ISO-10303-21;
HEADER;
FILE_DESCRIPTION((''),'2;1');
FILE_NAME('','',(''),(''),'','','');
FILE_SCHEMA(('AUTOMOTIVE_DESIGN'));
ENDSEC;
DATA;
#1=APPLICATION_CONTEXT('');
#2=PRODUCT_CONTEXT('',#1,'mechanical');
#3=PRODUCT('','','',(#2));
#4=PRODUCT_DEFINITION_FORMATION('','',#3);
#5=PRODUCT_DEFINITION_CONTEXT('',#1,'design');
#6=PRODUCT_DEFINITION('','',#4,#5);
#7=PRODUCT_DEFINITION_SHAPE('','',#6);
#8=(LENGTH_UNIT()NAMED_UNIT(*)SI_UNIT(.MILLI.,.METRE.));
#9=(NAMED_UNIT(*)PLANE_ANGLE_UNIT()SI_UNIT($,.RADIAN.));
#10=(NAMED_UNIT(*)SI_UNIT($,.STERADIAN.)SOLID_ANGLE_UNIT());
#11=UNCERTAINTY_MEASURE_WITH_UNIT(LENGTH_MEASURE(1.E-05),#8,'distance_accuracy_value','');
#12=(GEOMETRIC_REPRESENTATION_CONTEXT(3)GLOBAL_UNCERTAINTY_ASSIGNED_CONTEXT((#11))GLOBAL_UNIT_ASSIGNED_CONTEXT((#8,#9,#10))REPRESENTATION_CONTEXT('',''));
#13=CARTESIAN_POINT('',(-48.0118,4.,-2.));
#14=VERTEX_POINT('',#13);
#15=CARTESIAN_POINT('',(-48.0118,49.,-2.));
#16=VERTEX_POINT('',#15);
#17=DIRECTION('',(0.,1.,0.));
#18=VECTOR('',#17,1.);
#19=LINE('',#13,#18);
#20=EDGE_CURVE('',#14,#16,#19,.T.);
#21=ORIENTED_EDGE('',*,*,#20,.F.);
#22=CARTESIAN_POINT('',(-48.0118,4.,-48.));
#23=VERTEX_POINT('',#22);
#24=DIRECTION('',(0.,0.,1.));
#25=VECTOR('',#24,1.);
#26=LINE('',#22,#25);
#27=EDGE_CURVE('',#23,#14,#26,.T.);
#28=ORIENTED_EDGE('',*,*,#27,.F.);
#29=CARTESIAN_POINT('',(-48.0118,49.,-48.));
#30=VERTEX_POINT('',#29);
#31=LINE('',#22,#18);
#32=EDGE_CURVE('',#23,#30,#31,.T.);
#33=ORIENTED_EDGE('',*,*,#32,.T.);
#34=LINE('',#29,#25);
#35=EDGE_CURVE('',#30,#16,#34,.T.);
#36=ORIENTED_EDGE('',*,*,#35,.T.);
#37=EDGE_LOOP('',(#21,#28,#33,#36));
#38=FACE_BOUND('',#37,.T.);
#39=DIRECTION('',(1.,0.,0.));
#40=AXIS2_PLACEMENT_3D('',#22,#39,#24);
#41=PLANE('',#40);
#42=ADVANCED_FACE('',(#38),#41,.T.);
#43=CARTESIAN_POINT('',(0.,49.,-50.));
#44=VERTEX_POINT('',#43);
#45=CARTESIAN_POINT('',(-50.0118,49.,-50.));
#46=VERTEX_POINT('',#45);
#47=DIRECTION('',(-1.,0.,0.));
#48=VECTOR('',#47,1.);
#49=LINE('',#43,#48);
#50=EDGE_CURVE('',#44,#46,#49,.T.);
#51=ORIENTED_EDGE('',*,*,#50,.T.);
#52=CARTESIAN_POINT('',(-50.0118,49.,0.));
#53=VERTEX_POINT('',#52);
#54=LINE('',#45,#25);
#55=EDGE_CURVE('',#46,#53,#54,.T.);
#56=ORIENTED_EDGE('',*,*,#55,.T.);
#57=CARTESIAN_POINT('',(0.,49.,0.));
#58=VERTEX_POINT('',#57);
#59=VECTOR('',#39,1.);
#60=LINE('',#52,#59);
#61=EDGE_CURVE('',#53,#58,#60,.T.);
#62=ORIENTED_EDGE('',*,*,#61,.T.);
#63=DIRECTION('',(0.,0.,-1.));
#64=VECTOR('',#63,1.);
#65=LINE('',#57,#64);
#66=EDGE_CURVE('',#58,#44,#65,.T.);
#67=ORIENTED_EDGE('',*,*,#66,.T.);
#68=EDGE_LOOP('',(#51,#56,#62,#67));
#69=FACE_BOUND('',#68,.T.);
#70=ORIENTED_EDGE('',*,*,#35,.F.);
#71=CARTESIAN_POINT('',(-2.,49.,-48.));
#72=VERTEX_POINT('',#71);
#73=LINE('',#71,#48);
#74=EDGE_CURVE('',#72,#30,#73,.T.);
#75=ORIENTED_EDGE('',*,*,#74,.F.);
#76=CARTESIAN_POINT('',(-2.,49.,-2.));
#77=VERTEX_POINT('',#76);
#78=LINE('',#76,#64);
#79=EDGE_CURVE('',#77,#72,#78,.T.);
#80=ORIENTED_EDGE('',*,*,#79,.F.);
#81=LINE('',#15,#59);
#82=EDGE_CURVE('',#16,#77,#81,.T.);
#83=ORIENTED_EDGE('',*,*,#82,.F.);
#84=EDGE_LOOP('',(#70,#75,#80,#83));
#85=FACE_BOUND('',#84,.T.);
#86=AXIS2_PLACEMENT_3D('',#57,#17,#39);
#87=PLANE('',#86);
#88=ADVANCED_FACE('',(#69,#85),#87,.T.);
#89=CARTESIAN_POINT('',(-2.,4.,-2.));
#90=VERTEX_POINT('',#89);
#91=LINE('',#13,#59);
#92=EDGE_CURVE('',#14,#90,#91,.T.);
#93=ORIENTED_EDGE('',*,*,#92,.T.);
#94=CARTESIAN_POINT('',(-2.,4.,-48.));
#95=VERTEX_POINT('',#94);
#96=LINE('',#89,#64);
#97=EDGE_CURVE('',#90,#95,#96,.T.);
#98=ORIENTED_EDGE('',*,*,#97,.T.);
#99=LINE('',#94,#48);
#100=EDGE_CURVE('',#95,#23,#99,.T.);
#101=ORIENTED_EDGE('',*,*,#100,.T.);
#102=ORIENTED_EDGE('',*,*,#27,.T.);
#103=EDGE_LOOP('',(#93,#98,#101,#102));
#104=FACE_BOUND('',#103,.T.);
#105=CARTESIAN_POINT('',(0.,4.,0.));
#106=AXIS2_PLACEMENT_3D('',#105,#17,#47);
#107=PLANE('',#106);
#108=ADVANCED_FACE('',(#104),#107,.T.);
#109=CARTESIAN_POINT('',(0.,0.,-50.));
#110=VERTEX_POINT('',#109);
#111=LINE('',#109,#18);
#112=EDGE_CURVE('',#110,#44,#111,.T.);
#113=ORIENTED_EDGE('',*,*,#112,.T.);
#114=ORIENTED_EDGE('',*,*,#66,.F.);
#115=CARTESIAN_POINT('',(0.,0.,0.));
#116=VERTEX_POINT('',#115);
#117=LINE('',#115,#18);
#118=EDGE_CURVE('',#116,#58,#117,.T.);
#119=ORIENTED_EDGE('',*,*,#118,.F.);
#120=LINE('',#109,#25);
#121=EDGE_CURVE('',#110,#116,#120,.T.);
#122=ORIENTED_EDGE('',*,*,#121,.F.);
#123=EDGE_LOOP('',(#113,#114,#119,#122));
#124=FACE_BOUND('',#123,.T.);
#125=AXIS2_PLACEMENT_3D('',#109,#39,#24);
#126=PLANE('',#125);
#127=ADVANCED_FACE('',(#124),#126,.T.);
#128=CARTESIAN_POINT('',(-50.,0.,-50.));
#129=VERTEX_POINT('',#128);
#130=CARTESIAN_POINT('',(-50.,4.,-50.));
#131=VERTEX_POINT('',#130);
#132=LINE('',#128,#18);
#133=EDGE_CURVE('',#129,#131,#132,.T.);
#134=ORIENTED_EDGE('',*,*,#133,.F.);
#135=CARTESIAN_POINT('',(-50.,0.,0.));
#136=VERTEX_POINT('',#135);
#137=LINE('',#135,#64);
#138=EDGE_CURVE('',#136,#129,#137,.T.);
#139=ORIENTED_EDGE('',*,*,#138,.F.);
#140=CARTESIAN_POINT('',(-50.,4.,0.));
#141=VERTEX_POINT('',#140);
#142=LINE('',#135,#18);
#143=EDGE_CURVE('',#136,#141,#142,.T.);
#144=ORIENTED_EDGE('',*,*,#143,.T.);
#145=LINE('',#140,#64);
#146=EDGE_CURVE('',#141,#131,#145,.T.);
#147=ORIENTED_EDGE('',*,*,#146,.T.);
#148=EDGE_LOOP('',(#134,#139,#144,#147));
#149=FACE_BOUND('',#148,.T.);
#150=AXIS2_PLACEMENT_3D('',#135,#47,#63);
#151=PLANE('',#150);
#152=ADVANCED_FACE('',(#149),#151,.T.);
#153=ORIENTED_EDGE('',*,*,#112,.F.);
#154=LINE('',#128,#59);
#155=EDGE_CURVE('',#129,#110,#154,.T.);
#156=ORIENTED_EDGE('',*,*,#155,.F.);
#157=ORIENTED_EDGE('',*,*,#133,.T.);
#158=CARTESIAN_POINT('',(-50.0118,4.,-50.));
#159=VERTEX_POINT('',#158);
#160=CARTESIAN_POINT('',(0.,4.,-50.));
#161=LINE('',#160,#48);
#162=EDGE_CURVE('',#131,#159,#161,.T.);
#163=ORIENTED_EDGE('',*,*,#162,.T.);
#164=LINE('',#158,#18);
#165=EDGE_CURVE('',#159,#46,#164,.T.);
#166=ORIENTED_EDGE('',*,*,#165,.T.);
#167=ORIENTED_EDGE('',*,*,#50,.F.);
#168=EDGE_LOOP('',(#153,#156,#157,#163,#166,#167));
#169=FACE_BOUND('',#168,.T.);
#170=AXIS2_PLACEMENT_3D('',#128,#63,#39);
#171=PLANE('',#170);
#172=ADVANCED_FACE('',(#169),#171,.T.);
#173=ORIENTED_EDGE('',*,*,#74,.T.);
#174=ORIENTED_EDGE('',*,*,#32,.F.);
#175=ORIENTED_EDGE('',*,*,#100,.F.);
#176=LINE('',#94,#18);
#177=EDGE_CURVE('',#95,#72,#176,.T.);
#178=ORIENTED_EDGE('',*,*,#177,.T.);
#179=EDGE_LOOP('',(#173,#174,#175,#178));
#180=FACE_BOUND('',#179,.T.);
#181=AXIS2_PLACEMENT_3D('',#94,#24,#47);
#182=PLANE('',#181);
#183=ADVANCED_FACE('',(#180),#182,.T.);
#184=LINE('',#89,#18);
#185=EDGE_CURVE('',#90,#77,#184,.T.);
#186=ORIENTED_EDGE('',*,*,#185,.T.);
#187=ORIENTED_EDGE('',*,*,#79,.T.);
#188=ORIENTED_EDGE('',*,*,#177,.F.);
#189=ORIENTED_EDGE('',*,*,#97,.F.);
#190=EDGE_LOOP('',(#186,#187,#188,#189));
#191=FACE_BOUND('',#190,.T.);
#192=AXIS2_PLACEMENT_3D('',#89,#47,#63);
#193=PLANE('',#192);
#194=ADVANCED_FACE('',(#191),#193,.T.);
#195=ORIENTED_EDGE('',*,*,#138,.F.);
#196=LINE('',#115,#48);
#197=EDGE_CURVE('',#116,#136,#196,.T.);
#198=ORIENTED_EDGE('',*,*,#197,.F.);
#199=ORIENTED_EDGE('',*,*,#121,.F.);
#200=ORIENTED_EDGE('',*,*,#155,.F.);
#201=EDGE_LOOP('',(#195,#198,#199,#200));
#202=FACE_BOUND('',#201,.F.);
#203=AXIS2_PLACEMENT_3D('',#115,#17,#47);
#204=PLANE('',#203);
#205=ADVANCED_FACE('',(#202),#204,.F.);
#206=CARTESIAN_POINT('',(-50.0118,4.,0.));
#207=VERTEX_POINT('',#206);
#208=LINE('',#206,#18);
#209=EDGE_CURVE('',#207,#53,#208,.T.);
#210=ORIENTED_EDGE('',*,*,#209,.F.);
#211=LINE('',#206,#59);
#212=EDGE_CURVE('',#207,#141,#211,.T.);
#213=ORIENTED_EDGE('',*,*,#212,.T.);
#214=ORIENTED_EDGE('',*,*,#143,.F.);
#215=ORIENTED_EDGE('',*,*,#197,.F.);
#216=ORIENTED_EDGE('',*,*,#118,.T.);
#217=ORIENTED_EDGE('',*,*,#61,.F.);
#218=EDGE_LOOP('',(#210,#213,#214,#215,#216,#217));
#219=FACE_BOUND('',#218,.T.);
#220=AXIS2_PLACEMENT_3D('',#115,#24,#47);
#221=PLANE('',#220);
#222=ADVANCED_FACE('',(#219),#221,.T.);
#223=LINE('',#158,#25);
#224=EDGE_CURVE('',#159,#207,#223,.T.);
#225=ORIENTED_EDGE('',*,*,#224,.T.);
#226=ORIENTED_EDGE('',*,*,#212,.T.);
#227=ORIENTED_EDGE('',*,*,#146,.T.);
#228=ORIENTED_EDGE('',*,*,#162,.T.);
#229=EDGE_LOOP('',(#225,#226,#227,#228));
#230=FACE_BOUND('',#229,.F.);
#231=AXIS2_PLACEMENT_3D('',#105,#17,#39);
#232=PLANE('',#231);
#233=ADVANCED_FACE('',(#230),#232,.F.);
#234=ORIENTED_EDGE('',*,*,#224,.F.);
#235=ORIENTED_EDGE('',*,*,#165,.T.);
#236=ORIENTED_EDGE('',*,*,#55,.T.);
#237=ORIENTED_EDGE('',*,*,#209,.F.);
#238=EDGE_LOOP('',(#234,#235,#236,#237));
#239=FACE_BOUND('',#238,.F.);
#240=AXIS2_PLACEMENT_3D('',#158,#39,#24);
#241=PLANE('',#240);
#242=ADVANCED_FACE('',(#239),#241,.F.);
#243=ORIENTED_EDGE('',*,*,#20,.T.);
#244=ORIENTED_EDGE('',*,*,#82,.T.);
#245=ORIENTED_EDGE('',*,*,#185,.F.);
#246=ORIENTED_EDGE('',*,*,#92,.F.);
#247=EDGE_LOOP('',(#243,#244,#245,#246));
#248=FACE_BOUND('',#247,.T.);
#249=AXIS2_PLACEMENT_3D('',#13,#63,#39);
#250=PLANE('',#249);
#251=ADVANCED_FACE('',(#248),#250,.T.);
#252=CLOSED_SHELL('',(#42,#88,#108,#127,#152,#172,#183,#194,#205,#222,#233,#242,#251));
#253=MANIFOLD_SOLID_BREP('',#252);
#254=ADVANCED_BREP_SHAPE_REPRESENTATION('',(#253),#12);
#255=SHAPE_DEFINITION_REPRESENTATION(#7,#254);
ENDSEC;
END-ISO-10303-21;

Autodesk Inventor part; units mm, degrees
ref_plane "YZ Plane" through (0, 0, 0) normal (1, 0, 0) x (0, 1, 0)
ref_plane "XZ Plane" through (0, 0, 0) normal (0, 1, 0) x (-1, 0, 0)
ref_plane "XY Plane" through (0, 0, 0) normal (0, 0, 1) x (1, 0, 0)
sketch "Sketch2" plane through (0, 0, 0) normal (0, 1, 0) x (-1, 0, 0)
  line L0 (0, 0) -> (50, 0)
  line L1 (50, 0) -> (50, -50)
  line L2 (50, -50) -> (0, -50)
  line L3 (0, -50) -> (0, 0)
  dimension "d0" = 50
  dimension "d1" = 50
extrude "Extrusion1" add sketch "Sketch2" along normal blind 4
sketch "Sketch3" plane through (0, 4, 0) normal (0, 1, 0) x (1, 0, 0)
  line L0 (0, 0) -> (0, 50) projected
  line L1 (-50.0118, 0) -> (0, 0)
  line L2 (0, 0) -> (0, 50)
  line L3 (0, 50) -> (-50.0118, 50)
  line L4 (-50.0118, 50) -> (-50.0118, 0)
  line L5 (-48.0118, 2) -> (-2, 2)
  line L6 (-2, 2) -> (-2, 48)
  line L7 (-2, 48) -> (-48.0118, 48)
  line L8 (-48.0118, 48) -> (-48.0118, 2)
  dimension "d4" = 2
extrude "Extrusion2" add sketch "Sketch3" along normal blind 45
